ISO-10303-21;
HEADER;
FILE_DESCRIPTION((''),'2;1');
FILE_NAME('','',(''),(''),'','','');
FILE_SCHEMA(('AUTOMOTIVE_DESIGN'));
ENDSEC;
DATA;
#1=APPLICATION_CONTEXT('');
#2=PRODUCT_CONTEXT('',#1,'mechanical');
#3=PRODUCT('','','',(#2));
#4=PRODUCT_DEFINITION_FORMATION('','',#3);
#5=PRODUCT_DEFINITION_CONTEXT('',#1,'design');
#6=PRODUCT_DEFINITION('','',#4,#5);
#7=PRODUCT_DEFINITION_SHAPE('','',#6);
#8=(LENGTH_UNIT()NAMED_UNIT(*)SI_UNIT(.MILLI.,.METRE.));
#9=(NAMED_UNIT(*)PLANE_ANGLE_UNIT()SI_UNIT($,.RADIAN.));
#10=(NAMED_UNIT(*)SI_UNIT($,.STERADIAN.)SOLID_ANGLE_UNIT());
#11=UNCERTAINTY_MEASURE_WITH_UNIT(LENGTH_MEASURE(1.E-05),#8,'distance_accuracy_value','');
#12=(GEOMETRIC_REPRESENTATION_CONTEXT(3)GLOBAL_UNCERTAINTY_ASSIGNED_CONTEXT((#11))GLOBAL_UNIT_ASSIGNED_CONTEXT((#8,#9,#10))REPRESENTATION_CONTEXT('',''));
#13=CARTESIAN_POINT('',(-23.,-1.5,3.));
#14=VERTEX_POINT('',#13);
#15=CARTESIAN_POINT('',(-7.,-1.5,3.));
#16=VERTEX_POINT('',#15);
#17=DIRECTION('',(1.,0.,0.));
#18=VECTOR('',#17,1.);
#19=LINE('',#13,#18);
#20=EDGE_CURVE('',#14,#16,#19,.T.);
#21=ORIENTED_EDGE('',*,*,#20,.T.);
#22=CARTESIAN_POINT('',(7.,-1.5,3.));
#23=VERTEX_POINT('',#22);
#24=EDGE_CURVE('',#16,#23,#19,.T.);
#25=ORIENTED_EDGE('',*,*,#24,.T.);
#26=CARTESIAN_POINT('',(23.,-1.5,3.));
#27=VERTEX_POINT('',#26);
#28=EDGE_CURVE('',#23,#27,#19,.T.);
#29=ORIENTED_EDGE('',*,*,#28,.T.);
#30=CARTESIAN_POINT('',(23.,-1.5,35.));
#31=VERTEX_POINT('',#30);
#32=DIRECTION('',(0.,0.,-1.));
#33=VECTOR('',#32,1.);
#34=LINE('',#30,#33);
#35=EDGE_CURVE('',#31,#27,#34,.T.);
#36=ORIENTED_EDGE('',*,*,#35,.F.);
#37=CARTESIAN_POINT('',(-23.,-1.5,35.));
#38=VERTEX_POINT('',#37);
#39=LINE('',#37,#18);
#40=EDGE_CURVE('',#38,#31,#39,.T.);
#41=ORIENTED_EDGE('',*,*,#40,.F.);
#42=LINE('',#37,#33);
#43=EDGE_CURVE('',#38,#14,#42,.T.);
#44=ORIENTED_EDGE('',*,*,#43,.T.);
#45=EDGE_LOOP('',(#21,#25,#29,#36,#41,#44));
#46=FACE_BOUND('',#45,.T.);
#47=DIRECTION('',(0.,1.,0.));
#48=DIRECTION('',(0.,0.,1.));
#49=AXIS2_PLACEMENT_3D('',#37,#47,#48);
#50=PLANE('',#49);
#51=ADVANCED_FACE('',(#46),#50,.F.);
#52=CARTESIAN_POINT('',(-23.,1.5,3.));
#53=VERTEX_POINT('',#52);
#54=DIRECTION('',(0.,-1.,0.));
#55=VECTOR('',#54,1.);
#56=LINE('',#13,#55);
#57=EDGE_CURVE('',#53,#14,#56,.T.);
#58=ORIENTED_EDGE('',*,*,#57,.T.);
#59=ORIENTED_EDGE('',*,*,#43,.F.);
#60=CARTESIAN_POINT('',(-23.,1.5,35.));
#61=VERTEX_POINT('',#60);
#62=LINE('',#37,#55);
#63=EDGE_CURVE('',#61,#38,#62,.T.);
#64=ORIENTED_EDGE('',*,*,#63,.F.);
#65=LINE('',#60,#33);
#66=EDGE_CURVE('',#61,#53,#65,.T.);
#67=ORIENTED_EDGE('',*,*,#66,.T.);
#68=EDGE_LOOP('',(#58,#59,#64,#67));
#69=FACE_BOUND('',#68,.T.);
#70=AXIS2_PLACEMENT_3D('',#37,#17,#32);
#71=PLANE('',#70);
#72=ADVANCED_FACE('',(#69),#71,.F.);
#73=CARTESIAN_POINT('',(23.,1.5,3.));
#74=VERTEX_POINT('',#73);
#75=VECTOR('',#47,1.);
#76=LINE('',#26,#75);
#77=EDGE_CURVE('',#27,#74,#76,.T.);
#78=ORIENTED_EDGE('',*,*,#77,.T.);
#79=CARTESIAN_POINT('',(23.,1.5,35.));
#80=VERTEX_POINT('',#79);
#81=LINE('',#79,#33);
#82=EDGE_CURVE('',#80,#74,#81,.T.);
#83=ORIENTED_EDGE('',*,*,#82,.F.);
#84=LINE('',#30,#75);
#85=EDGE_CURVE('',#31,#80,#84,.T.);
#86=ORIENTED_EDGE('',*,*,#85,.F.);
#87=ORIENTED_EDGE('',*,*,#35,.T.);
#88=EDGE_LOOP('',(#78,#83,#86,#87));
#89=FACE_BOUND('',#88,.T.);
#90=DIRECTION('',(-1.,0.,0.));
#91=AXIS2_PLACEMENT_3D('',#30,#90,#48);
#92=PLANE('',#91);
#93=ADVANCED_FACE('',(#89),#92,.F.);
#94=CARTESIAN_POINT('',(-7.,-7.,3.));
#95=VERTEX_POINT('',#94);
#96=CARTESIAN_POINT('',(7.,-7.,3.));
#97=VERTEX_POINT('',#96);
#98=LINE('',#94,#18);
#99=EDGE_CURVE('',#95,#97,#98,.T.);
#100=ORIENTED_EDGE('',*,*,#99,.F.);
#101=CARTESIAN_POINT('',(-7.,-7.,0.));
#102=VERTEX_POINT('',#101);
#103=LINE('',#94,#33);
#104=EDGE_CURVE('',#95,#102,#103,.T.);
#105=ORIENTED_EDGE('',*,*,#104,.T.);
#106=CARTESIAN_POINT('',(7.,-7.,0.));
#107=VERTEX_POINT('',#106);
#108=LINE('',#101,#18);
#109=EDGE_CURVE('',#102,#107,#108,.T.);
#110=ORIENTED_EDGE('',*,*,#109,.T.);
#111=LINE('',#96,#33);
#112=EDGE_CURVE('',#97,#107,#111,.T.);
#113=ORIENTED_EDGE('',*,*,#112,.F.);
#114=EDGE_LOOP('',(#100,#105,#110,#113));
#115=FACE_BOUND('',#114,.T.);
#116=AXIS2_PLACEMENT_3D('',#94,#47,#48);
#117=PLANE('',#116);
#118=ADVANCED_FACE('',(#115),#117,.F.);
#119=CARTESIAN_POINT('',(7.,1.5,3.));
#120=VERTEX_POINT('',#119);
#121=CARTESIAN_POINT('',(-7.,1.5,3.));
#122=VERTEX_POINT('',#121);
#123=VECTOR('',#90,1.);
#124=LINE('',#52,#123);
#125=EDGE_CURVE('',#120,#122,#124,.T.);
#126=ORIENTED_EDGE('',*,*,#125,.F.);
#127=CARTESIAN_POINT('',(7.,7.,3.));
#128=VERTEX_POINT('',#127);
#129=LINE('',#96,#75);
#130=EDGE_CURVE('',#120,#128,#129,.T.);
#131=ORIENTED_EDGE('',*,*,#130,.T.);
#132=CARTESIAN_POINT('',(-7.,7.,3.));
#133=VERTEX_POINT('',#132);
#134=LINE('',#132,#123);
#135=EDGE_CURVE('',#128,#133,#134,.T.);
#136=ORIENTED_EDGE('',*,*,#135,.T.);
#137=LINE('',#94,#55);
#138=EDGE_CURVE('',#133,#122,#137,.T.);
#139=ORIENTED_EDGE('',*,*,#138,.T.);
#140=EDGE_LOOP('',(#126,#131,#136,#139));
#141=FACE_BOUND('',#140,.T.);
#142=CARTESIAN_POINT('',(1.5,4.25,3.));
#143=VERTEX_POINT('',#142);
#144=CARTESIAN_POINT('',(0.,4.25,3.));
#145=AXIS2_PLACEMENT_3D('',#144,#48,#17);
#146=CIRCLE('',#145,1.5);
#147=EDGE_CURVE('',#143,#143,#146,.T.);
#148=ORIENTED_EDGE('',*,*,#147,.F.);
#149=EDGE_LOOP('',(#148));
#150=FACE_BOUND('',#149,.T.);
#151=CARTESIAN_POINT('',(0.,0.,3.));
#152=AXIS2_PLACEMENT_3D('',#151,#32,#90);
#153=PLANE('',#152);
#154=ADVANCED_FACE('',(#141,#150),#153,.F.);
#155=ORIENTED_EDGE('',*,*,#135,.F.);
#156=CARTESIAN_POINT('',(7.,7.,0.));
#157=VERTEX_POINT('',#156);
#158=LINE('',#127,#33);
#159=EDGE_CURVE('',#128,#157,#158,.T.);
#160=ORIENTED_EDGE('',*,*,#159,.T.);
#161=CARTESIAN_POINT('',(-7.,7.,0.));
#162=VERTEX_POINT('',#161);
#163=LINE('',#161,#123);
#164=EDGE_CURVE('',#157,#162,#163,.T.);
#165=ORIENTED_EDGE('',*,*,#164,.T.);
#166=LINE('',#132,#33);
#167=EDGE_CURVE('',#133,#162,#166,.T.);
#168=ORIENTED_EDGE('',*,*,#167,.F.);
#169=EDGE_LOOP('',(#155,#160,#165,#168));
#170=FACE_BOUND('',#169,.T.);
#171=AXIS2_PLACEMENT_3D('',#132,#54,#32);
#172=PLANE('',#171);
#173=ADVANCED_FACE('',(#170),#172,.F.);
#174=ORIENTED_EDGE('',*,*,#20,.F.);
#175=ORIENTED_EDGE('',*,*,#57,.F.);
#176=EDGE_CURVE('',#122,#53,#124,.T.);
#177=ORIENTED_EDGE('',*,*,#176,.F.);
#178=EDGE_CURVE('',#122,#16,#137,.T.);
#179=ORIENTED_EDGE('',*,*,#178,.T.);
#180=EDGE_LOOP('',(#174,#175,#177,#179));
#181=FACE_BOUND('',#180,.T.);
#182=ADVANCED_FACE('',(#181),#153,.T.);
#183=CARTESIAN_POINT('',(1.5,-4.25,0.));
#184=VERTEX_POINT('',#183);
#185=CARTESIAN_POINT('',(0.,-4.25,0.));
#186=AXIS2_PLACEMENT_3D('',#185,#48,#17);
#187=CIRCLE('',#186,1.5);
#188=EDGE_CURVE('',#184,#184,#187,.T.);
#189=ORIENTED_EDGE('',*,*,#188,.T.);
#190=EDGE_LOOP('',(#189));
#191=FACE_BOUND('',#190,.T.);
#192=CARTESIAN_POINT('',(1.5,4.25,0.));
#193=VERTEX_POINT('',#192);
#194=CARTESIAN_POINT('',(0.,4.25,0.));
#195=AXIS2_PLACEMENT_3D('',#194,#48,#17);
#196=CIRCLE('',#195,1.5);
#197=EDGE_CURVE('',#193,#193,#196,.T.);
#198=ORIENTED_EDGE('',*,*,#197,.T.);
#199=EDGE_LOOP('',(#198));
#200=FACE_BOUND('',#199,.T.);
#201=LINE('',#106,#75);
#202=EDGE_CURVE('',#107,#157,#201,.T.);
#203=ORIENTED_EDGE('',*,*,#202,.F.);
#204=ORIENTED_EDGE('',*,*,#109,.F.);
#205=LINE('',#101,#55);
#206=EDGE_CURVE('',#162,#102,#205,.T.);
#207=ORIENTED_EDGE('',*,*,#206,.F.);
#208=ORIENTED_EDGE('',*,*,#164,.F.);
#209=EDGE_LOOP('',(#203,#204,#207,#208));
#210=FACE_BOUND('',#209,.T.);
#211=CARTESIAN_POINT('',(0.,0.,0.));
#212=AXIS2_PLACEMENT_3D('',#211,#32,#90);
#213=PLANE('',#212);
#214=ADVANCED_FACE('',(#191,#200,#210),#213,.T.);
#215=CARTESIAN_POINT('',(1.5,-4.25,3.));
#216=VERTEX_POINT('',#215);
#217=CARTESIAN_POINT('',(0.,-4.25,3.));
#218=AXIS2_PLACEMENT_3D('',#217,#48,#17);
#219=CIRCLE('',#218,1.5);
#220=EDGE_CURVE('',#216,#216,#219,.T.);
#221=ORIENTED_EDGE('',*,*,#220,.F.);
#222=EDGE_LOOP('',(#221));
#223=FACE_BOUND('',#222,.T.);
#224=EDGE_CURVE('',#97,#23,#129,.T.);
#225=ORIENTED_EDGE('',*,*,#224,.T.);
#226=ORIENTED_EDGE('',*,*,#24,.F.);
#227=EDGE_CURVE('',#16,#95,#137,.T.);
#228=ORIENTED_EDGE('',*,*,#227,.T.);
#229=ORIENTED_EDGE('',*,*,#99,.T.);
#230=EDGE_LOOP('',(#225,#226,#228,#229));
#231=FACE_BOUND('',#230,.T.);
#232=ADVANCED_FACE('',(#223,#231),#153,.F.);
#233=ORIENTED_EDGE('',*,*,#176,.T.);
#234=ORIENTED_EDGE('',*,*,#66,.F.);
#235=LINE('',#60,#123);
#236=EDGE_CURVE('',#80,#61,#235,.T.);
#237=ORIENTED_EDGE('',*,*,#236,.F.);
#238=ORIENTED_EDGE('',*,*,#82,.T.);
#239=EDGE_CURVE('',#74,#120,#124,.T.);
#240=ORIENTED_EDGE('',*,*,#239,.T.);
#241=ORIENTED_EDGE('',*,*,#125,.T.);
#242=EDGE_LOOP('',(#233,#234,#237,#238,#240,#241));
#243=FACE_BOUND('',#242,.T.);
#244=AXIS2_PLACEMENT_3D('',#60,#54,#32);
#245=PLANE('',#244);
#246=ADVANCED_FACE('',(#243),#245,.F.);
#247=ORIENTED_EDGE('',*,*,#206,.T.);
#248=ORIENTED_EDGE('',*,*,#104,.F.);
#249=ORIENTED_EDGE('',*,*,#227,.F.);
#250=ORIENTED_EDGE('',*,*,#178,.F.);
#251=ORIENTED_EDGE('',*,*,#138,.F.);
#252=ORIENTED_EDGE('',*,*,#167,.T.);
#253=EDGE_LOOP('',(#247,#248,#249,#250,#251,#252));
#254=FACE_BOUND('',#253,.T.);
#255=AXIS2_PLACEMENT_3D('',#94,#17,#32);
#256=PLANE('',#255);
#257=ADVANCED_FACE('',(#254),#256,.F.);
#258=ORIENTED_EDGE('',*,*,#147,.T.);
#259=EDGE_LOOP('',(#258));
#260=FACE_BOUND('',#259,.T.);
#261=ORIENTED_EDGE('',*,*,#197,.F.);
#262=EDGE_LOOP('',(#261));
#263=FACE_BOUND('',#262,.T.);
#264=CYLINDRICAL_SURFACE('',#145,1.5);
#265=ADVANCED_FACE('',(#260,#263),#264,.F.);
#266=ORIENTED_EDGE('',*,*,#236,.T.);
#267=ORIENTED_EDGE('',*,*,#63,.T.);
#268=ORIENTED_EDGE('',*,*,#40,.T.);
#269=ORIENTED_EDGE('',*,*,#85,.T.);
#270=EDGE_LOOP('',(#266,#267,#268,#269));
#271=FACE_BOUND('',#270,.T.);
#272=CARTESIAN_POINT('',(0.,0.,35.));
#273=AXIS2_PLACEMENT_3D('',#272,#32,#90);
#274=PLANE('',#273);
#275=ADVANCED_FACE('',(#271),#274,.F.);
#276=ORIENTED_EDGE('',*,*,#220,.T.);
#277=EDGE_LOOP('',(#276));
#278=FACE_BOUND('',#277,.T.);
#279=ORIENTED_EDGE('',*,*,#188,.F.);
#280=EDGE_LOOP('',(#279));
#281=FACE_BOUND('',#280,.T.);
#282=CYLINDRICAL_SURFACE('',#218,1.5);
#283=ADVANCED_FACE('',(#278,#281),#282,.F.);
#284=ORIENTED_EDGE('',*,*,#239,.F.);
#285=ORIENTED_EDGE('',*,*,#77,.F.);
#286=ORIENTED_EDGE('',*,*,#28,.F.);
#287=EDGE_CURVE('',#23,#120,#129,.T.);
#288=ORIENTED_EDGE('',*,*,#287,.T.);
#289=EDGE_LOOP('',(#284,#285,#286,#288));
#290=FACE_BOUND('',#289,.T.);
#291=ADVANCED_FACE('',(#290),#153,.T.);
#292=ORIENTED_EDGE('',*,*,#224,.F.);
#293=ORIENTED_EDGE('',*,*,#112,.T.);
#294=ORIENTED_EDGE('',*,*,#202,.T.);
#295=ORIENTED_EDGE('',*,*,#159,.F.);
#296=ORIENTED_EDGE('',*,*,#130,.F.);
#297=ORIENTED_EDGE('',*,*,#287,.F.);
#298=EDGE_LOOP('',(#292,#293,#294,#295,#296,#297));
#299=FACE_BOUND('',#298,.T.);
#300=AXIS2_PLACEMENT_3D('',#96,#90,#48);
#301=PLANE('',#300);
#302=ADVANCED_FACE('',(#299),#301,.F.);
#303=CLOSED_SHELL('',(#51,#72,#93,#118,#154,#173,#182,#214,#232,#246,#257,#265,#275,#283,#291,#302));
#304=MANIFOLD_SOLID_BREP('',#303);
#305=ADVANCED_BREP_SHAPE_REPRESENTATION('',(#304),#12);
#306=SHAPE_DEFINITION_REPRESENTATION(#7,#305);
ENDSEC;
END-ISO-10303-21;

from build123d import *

# Parameters (mm, degrees)
SKETCH1_W             = 14
SKETCH1_H             = 14
BOSS_EXTRUDE1_DEPTH   = 3
SKETCH2_W             = 46
SKETCH2_H             = 3
BOSS_EXTRUDE2_DEPTH   = 32
F_3_0MM_DOWEL_HOLE1_D = 3


with BuildPart() as part:
    # Sketch1 → Boss-Extrude1 (new body)
    with BuildSketch(Plane.XY):
        Rectangle(SKETCH1_W, SKETCH1_H)
    extrude(amount=BOSS_EXTRUDE1_DEPTH)

    # Sketch2 → Boss-Extrude2 (add)
    with BuildSketch(Plane.XY.offset(3)):
        Rectangle(SKETCH2_W, SKETCH2_H)
    extrude(amount=BOSS_EXTRUDE2_DEPTH)

    # Ø3.0mm Dowel Hole1 (through all)
    with Locations(Plane.XY.offset(3)):
        with Locations((0, 4.25), (0, -4.25)):
            Hole(F_3_0MM_DOWEL_HOLE1_D / 2)


solid = part.part
